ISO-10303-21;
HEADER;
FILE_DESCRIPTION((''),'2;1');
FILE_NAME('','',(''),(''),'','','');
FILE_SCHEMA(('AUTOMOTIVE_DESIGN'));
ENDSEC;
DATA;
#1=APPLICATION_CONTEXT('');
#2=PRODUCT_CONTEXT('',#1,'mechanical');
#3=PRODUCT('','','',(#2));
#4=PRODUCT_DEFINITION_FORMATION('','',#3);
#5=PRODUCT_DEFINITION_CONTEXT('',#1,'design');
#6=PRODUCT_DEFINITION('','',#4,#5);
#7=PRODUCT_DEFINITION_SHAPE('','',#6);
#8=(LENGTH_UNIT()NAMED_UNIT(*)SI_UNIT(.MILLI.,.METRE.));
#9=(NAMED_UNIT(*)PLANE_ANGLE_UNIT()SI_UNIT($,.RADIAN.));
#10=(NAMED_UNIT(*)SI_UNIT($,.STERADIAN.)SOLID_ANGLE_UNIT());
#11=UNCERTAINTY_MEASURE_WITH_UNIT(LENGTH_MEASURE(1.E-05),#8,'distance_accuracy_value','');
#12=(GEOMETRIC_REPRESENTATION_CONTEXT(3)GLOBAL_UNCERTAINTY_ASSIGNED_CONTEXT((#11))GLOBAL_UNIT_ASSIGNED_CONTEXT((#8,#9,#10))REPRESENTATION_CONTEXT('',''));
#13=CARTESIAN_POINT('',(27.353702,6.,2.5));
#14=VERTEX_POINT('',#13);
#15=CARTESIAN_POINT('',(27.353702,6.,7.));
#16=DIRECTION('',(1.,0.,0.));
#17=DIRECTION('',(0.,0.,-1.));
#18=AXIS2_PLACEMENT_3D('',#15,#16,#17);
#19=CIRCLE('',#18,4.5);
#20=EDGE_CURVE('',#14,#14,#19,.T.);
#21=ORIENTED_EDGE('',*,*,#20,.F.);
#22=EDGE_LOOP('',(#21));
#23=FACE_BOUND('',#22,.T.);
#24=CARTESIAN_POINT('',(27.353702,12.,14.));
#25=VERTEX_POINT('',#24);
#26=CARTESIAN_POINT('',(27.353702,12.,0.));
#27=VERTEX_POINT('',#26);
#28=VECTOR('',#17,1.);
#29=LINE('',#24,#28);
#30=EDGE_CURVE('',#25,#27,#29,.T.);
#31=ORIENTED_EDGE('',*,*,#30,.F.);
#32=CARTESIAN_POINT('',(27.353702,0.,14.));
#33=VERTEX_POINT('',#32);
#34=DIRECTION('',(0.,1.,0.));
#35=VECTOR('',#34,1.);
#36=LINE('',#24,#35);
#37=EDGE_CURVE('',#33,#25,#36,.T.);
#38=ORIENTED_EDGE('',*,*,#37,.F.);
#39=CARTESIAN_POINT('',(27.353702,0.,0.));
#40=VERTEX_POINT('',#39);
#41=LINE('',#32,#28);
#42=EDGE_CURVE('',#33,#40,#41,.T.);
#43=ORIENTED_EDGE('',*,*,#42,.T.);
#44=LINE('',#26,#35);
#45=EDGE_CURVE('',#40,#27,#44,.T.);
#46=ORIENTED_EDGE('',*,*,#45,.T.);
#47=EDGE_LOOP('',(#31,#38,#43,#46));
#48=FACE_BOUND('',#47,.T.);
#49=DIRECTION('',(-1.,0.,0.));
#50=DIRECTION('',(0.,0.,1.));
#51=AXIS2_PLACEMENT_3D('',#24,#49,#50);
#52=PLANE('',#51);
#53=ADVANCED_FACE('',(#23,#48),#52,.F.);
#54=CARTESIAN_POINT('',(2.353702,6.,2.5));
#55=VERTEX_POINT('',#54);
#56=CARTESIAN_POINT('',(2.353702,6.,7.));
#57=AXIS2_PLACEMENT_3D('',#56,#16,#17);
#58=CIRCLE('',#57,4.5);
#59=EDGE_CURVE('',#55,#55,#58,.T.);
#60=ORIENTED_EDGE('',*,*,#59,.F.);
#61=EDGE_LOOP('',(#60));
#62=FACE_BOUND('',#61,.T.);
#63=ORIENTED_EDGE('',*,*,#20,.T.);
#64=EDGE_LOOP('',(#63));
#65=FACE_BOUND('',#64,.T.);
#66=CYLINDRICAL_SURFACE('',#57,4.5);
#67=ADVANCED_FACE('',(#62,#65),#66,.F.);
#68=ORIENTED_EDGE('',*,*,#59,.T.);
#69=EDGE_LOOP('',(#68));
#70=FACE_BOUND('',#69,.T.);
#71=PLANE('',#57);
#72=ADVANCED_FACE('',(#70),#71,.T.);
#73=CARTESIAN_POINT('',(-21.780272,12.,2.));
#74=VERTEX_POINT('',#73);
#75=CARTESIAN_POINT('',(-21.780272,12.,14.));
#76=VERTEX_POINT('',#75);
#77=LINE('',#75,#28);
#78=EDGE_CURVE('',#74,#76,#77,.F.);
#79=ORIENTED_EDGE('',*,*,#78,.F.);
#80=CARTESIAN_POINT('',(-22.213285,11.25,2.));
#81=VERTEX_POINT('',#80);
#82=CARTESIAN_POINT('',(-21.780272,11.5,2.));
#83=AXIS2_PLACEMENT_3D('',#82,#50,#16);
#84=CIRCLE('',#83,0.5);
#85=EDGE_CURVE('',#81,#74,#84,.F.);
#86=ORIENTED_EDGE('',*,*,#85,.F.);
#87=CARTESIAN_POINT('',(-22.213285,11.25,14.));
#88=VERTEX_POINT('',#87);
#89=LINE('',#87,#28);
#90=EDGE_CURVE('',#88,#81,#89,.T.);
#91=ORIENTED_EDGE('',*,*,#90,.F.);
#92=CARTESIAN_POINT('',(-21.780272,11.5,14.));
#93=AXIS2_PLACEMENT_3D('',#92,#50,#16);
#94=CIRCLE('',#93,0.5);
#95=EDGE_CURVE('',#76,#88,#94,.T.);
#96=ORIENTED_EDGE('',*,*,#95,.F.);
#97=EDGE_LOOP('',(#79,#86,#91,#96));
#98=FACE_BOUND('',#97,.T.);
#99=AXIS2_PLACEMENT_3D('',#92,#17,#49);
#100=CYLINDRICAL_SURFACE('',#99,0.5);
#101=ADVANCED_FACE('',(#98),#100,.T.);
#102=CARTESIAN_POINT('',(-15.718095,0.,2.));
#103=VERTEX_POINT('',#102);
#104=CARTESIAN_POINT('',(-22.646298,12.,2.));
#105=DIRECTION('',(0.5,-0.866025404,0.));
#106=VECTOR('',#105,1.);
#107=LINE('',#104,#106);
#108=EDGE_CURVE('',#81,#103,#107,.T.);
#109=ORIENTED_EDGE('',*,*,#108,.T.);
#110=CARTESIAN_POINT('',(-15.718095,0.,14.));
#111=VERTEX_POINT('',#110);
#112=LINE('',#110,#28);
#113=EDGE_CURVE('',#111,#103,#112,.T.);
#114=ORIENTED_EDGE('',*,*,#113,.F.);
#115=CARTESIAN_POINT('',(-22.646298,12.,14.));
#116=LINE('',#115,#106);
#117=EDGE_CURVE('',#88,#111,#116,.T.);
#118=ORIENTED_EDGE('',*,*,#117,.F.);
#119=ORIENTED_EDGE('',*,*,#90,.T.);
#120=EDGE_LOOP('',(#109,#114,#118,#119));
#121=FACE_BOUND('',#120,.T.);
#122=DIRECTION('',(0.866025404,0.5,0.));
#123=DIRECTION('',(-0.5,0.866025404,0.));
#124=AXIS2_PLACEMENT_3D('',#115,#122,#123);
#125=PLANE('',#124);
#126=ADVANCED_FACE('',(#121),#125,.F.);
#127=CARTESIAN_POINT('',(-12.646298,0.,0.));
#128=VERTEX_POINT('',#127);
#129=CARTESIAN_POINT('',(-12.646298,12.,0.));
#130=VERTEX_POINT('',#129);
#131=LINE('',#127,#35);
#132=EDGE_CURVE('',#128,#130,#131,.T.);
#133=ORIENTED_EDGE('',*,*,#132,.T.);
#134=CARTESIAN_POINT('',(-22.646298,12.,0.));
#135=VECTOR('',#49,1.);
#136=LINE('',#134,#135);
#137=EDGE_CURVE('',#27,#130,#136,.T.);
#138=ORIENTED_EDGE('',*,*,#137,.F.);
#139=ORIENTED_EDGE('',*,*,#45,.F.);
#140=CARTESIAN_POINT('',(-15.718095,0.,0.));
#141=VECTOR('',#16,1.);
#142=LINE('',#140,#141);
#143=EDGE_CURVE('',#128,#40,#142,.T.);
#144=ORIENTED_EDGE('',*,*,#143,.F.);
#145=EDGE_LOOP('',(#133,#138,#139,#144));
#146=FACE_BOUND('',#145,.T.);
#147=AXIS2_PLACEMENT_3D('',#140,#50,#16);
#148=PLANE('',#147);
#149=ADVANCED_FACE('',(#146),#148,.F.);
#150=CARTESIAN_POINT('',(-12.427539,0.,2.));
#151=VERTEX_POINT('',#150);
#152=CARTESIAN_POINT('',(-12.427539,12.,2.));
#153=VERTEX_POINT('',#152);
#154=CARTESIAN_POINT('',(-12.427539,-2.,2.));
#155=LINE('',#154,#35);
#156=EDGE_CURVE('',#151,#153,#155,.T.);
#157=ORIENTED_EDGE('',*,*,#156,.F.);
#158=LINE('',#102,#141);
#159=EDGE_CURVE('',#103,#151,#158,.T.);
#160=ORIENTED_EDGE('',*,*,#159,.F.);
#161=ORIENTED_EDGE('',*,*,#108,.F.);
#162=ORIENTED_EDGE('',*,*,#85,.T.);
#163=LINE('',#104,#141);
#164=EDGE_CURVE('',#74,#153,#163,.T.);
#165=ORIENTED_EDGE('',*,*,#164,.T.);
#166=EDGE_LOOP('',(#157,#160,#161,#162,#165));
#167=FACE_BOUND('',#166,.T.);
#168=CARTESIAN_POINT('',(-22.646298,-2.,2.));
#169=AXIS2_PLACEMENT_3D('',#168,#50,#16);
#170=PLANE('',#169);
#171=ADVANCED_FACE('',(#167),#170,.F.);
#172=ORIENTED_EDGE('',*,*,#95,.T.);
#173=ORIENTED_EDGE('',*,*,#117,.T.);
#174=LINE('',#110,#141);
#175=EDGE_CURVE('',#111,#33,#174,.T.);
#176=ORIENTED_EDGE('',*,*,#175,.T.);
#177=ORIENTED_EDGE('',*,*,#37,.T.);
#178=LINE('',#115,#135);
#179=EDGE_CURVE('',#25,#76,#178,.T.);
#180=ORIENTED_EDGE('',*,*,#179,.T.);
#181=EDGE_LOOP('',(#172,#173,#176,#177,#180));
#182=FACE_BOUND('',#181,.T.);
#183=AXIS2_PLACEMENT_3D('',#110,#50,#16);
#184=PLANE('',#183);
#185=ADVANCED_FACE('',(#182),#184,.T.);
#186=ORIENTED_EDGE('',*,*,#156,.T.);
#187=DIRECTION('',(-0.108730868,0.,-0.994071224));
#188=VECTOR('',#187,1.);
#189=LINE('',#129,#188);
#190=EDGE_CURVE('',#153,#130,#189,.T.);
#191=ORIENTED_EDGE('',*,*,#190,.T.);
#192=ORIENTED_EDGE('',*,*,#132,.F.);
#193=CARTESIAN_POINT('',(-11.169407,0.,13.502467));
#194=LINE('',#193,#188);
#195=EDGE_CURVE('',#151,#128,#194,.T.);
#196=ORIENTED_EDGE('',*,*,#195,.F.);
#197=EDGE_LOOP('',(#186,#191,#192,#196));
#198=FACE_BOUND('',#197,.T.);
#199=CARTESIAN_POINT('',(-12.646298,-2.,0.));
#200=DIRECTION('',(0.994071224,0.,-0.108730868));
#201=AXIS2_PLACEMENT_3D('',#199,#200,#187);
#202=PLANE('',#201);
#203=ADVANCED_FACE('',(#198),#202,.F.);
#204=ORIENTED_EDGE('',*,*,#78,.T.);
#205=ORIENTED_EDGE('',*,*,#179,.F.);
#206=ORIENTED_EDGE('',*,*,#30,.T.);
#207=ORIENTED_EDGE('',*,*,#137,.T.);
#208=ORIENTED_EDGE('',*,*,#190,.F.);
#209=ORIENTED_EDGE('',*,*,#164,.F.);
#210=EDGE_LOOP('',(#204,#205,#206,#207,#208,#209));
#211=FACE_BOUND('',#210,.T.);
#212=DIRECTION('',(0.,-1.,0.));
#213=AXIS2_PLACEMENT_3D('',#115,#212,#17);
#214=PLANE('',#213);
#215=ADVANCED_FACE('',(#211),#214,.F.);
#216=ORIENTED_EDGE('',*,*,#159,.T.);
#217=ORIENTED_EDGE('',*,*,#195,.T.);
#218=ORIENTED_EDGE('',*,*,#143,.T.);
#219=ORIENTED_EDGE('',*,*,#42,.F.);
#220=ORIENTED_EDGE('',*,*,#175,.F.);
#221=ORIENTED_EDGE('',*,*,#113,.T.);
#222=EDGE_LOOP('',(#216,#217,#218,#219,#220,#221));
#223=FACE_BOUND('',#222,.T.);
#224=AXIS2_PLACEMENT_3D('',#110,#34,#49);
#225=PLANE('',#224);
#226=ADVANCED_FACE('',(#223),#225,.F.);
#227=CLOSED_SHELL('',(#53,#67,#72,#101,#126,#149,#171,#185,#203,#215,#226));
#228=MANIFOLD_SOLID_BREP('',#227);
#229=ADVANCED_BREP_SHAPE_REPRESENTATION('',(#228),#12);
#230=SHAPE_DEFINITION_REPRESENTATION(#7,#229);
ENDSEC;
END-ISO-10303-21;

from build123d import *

# Parameters (mm, degrees)
EXTRUDE1_DEPTH     = 14
CUT_EXTRUDE1_DEPTH = 14
FILLET1_R          = 0.5
SKETCH3_R          = 4.5
CUT_EXTRUDE2_DEPTH = 25


with BuildPart() as part:
    # Sketch1 → Extrude1 (new body)
    with BuildSketch(Plane.XY):
        Polygon((-22.646297813, 12), (27.353702187, 12), (27.353702187, 0), (-15.718094583, 0), align=None)
    extrude(amount=EXTRUDE1_DEPTH)

    # Sketch2 → Cut-Extrude1 (cut)
    with BuildSketch(Plane(origin=(0, 12, 0), x_dir=(1, 0, 0), z_dir=(0, 1, 0))):
        Polygon((-22.646297813, -2), (-12.427539106, -2), (-12.646297813, 0), (-22.646297813, 0), align=None)
    extrude(amount=-CUT_EXTRUDE1_DEPTH, mode=Mode.SUBTRACT)

    # Fillet1
    fillet1_edges = [part.edges().sort_by_distance(p)[0] for p in [
        (-22.646297813, 12, 8),
    ]]
    fillet(fillet1_edges, radius=FILLET1_R)

    # Sketch3 → Cut-Extrude2 (cut)
    with BuildSketch(Plane(origin=(27.353702187, 0, 0), x_dir=(0, 0, -1), z_dir=(1, 0, 0))):
        with Locations((-7, 6)):
            Circle(SKETCH3_R)
    extrude(amount=-CUT_EXTRUDE2_DEPTH, mode=Mode.SUBTRACT)


solid = part.part
